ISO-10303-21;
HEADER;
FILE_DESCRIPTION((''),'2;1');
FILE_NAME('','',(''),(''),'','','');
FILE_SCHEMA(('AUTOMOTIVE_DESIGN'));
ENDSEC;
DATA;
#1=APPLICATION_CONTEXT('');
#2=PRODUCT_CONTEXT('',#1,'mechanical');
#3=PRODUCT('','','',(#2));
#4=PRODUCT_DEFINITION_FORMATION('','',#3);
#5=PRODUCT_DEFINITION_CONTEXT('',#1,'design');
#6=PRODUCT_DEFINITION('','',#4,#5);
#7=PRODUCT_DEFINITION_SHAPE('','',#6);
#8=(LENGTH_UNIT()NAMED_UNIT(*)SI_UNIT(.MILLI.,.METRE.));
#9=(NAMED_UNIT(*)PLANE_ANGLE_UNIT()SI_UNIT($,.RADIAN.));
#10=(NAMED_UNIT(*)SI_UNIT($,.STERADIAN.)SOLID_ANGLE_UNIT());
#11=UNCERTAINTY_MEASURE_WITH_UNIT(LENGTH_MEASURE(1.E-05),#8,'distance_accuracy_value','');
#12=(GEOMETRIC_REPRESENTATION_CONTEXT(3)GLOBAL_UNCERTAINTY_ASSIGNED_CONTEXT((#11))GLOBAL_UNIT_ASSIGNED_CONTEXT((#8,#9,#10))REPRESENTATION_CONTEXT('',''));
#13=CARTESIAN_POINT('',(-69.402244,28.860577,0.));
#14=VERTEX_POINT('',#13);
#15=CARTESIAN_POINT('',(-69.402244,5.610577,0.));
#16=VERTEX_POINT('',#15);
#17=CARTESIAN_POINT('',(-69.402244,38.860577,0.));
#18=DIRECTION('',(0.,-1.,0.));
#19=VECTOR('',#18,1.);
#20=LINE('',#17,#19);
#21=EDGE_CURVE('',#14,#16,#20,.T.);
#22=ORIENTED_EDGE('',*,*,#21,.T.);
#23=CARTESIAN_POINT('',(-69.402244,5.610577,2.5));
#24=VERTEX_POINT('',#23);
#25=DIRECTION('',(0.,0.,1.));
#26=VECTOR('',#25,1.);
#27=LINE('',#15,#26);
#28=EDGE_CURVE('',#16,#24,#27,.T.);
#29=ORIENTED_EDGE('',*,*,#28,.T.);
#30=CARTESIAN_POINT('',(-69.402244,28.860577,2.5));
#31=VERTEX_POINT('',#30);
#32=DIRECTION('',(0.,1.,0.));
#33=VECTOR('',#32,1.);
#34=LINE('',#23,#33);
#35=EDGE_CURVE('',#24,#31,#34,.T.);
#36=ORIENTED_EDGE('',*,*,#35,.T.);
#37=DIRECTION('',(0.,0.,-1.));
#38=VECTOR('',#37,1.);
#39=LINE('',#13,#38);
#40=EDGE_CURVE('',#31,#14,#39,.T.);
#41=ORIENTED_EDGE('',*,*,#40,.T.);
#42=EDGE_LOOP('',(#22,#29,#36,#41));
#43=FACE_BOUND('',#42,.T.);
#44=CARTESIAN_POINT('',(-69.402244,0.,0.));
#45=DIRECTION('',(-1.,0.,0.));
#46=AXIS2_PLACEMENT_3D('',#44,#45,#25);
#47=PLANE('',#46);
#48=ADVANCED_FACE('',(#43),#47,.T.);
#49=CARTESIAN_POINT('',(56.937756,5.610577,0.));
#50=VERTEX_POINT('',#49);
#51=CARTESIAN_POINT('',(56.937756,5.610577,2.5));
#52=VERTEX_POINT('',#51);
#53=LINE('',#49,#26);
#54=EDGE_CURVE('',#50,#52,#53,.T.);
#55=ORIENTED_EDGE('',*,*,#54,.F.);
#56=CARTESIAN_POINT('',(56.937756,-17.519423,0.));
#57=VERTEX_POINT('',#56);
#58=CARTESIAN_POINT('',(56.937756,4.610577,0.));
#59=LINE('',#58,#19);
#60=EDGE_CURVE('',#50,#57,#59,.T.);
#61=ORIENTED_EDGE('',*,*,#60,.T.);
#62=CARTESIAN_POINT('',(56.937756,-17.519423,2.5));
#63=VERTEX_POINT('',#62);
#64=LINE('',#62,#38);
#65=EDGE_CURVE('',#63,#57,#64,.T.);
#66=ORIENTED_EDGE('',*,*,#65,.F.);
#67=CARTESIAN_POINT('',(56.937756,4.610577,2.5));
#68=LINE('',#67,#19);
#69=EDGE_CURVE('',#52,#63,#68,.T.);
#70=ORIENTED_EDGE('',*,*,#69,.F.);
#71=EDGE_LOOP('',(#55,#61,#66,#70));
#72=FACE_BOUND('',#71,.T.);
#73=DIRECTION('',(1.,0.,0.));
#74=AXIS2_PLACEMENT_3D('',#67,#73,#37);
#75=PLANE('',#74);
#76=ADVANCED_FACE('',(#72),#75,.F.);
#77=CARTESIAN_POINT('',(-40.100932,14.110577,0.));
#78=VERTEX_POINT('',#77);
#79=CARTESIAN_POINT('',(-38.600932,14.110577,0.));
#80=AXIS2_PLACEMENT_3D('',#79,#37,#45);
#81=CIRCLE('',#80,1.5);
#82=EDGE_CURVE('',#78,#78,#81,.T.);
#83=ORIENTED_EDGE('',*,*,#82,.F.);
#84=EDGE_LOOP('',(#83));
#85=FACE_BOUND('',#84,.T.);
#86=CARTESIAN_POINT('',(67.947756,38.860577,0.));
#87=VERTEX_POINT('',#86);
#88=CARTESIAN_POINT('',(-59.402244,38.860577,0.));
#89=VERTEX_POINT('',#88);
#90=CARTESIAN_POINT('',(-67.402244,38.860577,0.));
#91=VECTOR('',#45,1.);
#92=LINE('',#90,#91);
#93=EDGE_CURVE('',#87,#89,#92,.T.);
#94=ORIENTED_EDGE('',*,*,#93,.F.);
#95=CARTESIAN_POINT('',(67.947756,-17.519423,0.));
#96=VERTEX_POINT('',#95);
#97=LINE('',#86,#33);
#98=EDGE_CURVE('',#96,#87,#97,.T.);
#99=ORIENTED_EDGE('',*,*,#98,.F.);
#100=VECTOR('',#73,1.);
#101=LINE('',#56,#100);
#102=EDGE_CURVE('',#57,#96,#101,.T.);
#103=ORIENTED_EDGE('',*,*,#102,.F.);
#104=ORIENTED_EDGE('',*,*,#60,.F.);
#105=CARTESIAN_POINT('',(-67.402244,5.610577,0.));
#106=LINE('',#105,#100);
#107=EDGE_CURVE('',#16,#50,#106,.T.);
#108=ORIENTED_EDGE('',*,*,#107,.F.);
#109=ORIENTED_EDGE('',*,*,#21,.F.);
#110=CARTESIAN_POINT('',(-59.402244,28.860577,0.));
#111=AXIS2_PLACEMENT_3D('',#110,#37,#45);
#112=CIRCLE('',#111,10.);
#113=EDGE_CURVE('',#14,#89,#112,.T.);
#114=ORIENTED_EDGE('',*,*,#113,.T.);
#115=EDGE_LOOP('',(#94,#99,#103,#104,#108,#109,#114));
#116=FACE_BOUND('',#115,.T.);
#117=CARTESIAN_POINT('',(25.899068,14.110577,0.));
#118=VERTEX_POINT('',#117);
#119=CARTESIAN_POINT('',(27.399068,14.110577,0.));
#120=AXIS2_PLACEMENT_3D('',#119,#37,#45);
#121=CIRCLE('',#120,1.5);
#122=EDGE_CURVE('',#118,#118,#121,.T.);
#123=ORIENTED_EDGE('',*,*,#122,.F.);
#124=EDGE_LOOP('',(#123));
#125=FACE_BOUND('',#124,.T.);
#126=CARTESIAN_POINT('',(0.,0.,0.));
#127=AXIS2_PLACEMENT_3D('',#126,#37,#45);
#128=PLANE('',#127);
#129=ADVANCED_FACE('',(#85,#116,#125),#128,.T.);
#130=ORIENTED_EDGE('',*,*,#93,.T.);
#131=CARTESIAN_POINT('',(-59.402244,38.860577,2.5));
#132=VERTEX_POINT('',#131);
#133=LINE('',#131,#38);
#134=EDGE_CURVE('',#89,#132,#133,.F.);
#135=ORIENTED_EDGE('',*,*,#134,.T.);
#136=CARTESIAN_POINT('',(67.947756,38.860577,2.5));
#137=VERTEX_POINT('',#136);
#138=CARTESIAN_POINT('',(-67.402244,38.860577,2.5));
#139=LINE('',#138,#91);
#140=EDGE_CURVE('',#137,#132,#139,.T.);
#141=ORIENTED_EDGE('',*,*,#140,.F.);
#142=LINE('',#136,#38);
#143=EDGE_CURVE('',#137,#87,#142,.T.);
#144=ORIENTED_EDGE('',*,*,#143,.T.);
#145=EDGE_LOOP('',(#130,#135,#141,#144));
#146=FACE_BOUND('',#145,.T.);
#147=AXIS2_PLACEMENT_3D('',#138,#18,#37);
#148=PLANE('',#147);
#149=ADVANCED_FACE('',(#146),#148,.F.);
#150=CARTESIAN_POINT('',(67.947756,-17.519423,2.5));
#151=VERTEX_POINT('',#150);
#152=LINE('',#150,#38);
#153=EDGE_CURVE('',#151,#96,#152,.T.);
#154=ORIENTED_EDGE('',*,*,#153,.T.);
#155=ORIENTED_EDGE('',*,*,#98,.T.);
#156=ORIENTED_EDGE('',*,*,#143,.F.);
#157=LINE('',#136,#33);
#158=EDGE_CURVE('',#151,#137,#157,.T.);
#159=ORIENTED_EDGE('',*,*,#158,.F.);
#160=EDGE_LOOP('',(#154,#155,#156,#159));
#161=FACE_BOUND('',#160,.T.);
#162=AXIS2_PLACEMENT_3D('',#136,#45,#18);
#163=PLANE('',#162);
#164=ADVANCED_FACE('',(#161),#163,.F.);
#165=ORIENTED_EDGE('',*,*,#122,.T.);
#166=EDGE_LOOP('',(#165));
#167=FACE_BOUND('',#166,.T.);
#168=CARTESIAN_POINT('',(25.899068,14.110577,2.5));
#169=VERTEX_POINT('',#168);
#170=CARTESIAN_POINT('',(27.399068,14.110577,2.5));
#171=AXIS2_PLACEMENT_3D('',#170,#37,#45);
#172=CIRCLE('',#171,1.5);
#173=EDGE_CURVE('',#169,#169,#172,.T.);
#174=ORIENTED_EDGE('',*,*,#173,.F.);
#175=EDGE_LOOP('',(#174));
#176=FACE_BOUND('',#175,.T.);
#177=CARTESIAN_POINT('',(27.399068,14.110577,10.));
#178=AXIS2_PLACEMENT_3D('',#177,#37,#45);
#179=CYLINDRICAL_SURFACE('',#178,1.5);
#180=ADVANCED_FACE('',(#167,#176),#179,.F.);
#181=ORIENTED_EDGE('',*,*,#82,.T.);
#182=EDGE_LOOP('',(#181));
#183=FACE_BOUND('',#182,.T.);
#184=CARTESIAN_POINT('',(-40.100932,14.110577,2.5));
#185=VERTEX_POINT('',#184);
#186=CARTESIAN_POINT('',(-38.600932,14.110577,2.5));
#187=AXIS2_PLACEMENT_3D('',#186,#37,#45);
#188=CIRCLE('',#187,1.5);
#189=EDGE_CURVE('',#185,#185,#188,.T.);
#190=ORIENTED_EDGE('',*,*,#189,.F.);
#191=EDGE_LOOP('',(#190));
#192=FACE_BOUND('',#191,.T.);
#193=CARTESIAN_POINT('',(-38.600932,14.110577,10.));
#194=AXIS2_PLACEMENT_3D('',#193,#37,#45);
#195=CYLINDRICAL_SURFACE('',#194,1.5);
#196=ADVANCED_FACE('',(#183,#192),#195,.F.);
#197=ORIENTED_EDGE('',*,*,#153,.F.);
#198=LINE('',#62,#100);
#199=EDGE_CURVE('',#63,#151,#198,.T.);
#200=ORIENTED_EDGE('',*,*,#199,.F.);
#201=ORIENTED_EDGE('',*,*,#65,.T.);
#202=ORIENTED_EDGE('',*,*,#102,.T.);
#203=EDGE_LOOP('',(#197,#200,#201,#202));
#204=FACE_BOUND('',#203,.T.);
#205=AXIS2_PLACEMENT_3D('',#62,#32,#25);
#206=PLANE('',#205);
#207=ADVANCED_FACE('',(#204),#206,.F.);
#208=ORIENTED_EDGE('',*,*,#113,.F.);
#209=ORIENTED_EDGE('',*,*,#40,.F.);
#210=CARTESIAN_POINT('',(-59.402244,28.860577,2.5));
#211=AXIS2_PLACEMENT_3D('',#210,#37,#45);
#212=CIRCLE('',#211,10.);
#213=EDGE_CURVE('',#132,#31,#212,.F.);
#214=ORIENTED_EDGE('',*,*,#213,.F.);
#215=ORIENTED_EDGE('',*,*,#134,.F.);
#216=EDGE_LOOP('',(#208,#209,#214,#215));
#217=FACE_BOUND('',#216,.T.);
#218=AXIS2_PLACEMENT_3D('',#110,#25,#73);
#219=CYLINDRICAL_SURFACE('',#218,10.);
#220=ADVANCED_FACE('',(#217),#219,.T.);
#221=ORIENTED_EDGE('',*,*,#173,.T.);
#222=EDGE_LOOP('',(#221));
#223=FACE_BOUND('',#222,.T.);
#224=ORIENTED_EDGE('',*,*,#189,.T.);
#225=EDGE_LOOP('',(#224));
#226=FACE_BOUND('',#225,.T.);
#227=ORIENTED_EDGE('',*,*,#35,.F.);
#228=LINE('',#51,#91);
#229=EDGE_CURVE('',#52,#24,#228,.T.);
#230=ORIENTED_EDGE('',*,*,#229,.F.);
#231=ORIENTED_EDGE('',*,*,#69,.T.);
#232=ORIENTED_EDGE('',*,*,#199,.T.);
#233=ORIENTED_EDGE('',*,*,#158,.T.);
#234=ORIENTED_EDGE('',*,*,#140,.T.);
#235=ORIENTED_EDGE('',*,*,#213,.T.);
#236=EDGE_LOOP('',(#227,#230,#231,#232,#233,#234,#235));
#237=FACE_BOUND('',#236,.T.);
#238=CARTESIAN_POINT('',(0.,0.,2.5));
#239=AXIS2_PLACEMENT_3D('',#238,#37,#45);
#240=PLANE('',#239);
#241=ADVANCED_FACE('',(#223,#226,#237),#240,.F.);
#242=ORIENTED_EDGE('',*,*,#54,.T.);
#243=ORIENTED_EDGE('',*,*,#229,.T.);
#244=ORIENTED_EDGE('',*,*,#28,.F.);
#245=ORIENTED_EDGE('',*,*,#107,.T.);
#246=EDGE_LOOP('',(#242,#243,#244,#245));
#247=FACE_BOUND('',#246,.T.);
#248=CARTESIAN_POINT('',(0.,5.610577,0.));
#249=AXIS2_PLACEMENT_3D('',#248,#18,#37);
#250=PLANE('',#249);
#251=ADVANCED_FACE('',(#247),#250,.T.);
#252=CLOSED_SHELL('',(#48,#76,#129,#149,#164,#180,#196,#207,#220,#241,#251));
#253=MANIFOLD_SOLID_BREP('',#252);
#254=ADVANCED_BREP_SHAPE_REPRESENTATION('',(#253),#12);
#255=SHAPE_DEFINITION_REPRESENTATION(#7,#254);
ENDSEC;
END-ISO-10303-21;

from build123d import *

# Parameters (mm, degrees)
BOSS_EXTRUDE1_DEPTH = 2.5
SKETCH2_R           = 1.5
CUT_EXTRUDE1_DEPTH  = 10
SKETCH3_W           = 124.34
SKETCH3_H           = 2.5
CUT_EXTRUDE2_DEPTH  = 1
SKETCH4_W           = 2.5
SKETCH4_H           = 33.25
BOSS_EXTRUDE2_DEPTH = 2
FILLET2_R           = 10


with BuildPart() as part:
    # Sketch1 → Boss-Extrude1 (new body)
    with BuildSketch(Plane.XY):
        Polygon((-67.40224359, 38.860576923), (-67.40224359, 4.610576923), (56.93775641, 4.610576923), (56.93775641, -17.519423077), (67.94775641, -17.519423077), (67.94775641, 38.860576923), align=None)
    extrude(amount=BOSS_EXTRUDE1_DEPTH)

    # Sketch2 → Cut-Extrude1 (cut)
    with BuildSketch(Plane(origin=(0, 0, 0), x_dir=(-1, 0, 0), z_dir=(0, 0, -1))):
        with Locations((-27.399068165, 14.110576923)):
            Circle(SKETCH2_R)
        with Locations((38.600931835, 14.110576923)):
            Circle(SKETCH2_R)
    extrude(amount=-CUT_EXTRUDE1_DEPTH, mode=Mode.SUBTRACT)

    # Sketch3 → Cut-Extrude2 (cut)
    with BuildSketch(Plane.XZ.offset(-4.610576923)):
        with Locations((-5.23224359, 1.25)):
            Rectangle(SKETCH3_W, SKETCH3_H)
    extrude(amount=-CUT_EXTRUDE2_DEPTH, mode=Mode.SUBTRACT)

    # Sketch4 → Boss-Extrude2 (add)
    with BuildSketch(Plane.ZY.offset(67.40224359)):
        with Locations((1.25, 22.235576923)):
            Rectangle(SKETCH4_W, SKETCH4_H)
    extrude(amount=BOSS_EXTRUDE2_DEPTH)

    # Fillet2
    fillet2_edges = [part.edges().sort_by_distance(p)[0] for p in [
        (-69.40224359, 38.860576923, 1.25),
    ]]
    fillet(fillet2_edges, radius=FILLET2_R)


solid = part.part
